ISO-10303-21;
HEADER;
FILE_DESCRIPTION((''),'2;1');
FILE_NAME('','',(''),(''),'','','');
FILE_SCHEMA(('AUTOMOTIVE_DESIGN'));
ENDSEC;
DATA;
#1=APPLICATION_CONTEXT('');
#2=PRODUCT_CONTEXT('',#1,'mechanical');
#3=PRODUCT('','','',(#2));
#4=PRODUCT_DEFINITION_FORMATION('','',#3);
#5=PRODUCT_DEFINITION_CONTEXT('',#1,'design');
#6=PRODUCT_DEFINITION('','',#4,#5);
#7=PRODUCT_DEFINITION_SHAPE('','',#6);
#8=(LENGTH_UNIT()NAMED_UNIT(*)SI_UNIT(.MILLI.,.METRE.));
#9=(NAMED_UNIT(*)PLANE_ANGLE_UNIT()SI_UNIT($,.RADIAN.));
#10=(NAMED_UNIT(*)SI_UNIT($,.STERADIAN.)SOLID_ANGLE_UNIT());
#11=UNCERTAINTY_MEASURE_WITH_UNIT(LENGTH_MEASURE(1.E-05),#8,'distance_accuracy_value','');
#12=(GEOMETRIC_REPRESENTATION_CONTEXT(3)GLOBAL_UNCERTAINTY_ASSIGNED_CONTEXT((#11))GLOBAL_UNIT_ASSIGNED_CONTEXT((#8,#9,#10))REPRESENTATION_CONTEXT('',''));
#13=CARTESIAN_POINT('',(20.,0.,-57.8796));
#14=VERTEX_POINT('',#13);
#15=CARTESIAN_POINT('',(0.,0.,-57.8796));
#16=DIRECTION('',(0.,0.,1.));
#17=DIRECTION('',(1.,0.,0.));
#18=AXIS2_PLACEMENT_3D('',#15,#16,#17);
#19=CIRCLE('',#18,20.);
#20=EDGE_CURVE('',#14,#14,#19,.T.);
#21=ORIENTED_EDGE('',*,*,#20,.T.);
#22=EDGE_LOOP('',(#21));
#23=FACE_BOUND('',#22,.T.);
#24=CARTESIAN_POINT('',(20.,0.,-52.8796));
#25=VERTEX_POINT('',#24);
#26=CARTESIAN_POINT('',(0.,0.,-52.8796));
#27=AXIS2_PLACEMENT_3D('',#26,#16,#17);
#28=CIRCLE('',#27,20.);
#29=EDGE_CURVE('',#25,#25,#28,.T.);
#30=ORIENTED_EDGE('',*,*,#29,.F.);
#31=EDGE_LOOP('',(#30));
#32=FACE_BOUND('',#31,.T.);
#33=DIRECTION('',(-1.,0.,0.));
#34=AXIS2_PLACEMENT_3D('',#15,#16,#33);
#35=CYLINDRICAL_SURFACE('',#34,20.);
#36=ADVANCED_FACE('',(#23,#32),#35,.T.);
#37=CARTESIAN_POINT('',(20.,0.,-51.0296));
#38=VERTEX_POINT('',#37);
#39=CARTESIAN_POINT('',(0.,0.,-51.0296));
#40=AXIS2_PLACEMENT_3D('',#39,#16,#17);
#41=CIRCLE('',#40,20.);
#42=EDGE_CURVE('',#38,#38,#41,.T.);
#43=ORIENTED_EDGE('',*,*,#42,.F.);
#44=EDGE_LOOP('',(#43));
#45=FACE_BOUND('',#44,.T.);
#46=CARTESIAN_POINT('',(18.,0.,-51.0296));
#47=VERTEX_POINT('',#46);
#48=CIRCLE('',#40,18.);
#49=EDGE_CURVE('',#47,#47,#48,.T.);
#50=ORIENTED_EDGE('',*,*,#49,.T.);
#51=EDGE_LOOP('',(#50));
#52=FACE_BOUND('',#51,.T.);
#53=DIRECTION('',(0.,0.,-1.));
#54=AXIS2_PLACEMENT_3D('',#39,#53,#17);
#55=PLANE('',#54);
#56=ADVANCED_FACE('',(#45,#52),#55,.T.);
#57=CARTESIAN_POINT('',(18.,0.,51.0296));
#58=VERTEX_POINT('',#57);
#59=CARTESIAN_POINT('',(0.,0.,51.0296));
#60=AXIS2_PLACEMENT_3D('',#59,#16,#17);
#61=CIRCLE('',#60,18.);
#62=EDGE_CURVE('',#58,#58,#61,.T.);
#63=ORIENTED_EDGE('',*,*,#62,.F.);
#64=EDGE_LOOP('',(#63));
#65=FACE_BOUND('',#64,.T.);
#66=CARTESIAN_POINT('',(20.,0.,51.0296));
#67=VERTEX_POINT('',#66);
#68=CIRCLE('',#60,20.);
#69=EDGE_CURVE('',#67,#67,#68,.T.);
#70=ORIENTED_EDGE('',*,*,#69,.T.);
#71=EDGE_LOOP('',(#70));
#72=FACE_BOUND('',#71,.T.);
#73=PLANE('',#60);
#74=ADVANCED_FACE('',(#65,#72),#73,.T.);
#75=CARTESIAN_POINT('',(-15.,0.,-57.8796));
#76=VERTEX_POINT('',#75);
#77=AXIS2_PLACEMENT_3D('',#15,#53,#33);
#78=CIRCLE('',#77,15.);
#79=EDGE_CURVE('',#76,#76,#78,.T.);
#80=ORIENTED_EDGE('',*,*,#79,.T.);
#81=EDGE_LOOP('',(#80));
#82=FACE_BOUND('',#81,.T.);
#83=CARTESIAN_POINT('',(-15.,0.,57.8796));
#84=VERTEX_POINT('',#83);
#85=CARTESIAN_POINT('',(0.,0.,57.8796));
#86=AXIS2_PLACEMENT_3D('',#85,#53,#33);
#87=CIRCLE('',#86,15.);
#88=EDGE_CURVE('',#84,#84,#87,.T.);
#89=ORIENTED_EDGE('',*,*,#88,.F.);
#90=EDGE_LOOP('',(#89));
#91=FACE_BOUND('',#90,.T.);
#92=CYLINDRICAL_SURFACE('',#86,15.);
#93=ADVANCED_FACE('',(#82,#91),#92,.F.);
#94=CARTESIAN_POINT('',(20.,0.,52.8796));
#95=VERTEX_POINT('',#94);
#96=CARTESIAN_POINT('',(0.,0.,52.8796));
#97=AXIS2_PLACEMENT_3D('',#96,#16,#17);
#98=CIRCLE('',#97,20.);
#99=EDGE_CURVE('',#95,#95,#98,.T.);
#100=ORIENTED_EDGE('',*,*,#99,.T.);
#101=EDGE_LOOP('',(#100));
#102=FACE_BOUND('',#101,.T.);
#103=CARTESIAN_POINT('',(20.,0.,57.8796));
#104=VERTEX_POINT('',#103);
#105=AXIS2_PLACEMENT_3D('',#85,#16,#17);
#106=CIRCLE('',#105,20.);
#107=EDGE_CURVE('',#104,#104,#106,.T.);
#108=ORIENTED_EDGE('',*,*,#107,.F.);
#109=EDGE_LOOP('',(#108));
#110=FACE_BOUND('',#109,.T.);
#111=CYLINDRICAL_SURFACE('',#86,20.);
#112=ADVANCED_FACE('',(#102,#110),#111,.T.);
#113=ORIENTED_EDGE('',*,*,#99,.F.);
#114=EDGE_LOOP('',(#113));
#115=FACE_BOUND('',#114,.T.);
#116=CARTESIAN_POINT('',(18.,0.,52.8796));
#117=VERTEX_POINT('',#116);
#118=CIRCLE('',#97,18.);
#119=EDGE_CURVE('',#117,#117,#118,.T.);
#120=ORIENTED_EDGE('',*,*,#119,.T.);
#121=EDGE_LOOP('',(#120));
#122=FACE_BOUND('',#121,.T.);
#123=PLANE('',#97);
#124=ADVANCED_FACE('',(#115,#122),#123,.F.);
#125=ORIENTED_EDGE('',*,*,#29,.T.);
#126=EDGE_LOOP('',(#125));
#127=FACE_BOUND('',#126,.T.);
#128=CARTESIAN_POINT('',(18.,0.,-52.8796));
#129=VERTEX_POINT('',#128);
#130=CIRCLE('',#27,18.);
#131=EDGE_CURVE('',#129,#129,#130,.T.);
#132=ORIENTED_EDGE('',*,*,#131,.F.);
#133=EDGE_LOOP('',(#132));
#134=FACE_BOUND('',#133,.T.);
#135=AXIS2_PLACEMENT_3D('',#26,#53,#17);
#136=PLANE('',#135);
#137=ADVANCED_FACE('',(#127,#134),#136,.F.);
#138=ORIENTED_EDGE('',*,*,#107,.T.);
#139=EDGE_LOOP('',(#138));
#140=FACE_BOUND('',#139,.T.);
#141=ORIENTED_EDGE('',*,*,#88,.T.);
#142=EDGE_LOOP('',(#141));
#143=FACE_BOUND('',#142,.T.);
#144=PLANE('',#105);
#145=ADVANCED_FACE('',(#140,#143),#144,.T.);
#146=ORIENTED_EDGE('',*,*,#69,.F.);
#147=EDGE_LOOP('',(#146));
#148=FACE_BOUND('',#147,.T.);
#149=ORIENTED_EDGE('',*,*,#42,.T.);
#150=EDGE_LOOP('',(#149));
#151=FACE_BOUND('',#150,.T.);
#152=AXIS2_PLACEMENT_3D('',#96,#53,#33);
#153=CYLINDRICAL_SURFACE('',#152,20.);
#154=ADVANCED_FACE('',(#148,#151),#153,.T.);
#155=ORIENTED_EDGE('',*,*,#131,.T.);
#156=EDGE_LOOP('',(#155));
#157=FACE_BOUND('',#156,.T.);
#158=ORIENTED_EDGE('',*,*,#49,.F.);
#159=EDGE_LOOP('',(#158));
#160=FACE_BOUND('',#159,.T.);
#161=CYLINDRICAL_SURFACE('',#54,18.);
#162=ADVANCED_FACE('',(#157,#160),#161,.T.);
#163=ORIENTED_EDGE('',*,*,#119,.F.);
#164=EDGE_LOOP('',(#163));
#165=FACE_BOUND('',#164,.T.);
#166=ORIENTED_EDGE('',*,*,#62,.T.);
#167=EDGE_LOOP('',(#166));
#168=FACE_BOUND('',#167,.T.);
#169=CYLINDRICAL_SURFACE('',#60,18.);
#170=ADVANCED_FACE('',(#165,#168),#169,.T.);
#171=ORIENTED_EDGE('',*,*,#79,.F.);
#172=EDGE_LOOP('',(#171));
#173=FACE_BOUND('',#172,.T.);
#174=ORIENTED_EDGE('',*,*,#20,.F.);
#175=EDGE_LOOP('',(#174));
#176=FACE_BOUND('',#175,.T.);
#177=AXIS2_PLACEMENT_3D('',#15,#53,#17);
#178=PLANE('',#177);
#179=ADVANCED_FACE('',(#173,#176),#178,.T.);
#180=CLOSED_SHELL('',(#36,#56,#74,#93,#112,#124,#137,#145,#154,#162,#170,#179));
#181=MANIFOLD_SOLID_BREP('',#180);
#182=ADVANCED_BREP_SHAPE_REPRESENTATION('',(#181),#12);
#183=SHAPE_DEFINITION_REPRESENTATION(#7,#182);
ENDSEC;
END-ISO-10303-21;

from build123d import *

# Parameters (mm, degrees)
SKETCH1_R               = 20
BOSS_EXTRUDE1_DEPTH     = 52.8796
SKETCH2_R               = 20
SKETCH2_R_2             = 18
CUT_EXTRUDE2_DEPTH      = 1.85
SKETCH6_R               = 20
BOSS_EXTRUDE2_DEPTH     = 5
SKETCH7_R               = 15
CUT_EXTRUDE3_DEPTH      = 1
CUT_EXTRUDE3_DEPTH_BACK = 116.7592


with BuildPart() as part:
    # Sketch1 → Boss-Extrude1 (new body)
    with BuildSketch(Plane.XY):
        Circle(SKETCH1_R)
    extrude(amount=BOSS_EXTRUDE1_DEPTH)

    # Sketch2 → Cut-Extrude2 (cut)
    with BuildSketch(Plane.XY.offset(52.8796)):
        Circle(SKETCH2_R)
        Circle(SKETCH2_R_2, mode=Mode.SUBTRACT)
    extrude(amount=-CUT_EXTRUDE2_DEPTH, mode=Mode.SUBTRACT)

    # Sketch6 → Boss-Extrude2 (add)
    with BuildSketch(Plane.XY.offset(52.8796)):
        Circle(SKETCH6_R)
    extrude(amount=BOSS_EXTRUDE2_DEPTH)

    # Mirror2: part across plane


with BuildPart() as part_1:
    add(part.part)
    add(part.part.mirror(Plane.XY))

    # Sketch7 → Cut-Extrude3 (cut, two sides)
    with BuildSketch(Plane(origin=(0, 0, -57.8796), x_dir=(-1, 0, 0), z_dir=(0, 0, -1))) as cut_extrude3_sk:
        Circle(SKETCH7_R)
    extrude(amount=CUT_EXTRUDE3_DEPTH, mode=Mode.SUBTRACT)
    extrude(cut_extrude3_sk.sketch, amount=-CUT_EXTRUDE3_DEPTH_BACK, mode=Mode.SUBTRACT)


solid = part_1.part
